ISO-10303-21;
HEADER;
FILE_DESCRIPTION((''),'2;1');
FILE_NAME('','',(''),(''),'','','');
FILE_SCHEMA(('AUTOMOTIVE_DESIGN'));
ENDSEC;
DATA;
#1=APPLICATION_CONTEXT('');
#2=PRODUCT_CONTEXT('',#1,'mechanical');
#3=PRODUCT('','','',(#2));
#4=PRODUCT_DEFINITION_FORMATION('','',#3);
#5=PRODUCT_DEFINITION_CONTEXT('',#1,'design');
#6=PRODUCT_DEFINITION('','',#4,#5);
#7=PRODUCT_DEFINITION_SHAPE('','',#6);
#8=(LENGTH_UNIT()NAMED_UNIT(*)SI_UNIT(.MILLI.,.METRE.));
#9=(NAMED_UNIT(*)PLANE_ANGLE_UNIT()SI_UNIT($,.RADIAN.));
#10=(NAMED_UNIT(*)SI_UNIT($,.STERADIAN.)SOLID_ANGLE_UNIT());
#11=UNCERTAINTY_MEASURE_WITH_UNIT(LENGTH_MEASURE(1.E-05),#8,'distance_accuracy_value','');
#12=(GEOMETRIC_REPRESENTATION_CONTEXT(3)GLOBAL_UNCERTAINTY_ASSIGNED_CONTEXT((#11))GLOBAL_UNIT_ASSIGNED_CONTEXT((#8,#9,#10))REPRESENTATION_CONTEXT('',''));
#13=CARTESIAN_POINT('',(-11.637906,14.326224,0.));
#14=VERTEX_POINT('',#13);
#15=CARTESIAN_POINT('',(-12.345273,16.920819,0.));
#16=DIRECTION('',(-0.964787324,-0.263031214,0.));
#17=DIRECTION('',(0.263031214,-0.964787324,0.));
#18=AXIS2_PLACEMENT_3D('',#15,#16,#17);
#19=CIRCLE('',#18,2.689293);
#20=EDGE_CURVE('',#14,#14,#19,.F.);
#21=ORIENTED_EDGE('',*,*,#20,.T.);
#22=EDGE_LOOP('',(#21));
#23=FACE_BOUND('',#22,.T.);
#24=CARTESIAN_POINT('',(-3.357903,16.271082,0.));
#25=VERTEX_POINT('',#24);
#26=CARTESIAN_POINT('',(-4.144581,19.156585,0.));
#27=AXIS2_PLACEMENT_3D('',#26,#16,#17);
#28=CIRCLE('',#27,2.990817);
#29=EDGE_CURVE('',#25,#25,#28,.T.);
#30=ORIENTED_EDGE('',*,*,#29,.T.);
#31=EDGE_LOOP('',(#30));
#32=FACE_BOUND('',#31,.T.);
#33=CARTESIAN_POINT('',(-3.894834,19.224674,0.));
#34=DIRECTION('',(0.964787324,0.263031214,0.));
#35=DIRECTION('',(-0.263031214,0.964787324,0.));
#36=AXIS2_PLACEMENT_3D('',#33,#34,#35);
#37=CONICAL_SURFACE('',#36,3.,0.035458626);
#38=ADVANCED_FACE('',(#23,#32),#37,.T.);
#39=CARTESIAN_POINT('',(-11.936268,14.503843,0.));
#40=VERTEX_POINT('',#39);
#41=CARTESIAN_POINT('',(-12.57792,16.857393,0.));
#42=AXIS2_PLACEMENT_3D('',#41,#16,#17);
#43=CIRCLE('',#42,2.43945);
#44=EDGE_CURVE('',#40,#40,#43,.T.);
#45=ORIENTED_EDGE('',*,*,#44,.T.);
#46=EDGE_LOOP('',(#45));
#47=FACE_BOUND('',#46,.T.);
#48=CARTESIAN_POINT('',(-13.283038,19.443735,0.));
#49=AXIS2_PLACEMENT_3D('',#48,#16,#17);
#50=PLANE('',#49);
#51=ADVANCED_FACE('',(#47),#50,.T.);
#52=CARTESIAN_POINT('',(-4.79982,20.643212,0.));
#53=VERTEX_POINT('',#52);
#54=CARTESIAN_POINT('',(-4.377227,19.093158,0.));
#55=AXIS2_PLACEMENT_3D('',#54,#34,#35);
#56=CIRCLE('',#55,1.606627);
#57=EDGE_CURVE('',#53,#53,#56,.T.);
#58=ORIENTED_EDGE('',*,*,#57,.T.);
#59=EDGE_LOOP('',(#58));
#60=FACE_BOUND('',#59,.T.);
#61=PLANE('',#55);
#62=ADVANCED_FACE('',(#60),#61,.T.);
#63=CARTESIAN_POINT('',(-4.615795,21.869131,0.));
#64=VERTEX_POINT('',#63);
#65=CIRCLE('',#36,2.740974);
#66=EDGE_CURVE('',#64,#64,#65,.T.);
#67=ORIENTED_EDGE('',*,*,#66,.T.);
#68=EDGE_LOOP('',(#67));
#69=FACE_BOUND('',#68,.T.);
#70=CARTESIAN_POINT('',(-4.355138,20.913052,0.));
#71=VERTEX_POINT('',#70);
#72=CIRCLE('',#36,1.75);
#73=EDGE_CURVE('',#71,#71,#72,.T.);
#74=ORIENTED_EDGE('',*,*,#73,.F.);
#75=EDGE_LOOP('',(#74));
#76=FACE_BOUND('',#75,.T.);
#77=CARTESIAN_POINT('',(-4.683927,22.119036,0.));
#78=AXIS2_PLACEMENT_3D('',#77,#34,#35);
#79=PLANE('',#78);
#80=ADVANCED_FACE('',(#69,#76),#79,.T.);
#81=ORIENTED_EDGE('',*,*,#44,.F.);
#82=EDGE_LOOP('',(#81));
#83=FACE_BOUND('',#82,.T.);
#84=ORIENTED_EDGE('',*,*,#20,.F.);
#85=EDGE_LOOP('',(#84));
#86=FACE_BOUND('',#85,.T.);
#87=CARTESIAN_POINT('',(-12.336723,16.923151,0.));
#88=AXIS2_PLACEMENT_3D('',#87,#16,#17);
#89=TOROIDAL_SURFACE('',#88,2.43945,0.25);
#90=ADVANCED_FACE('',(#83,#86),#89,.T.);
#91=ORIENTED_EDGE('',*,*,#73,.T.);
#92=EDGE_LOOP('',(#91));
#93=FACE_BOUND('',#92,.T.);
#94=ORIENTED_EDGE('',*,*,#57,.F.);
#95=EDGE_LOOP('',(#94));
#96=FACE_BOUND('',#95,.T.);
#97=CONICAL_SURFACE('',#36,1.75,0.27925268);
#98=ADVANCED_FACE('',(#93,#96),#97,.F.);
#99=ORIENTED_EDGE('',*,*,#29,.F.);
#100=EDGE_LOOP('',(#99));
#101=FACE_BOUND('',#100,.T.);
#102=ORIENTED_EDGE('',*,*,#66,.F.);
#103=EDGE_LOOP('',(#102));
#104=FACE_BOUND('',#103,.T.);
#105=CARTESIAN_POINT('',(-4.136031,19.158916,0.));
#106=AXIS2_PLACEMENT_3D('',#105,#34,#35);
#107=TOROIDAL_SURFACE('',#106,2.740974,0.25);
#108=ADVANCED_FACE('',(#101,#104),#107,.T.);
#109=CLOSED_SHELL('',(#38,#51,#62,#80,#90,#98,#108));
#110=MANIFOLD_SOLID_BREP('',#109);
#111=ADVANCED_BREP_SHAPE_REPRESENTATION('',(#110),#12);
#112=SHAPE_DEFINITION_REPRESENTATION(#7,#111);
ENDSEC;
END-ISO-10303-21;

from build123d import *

# Parameters (mm, degrees)
ESQUISSE3_R             = 1.75
ENL_V_MAT_EXTRU_1_DEPTH = 0.5
ENL_V_MAT_EXTRU_1_DRAFT = -16
CONG_1_R                = 0.25


with BuildPart() as part:
    # Esquisse1 → Base-Révolution (revolve)
    with BuildSketch(Plane.XY, mode=Mode.PRIVATE) as base_r_volution_sk:
        Polygon((-3.894833669, 19.224673744), (-12.577919584, 16.857392814), (-13.2830375, 19.443735386), (-4.683927313, 22.119035716), align=None)
    revolve(base_r_volution_sk.sketch.rotate(Axis((3.55560583, 21.25589669, 0), (-0.9647873238288128, -0.2630312144579755, 0)), 180), axis=Axis((3.55560583, 21.25589669, 0), (-0.9647873238288128, -0.2630312144579755, 0)))


with BuildPart() as enl_v_mat_extru_1_tool:
    # Esquisse3 → Enlèv. mat.-Extru.1 (with draft: the straight prism first)
    with BuildSketch(Plane(origin=(1.253261753, 0.341678371, 0), x_dir=(0, 0, -1), z_dir=(0.9647873238288128, 0.26303121445797556, 0))):
        with Locations((0, 19.572184363)):
            Circle(ESQUISSE3_R)
    extrude(amount=-ENL_V_MAT_EXTRU_1_DEPTH)
    # Enlèv. mat.-Extru.1: the draft: its side faces are tilted about the plane it starts from
    enl_v_mat_extru_1_sides = [enl_v_mat_extru_1_tool.faces().sort_by_distance(p)[0] for p in [
        (-4.1360305, 19.158915941, 1.75),
    ]]
    draft(enl_v_mat_extru_1_sides, Plane(origin=(1.253261753, 0.341678371, 0), x_dir=(0, 0, -1), z_dir=(0.9647873238288128, 0.26303121445797556, 0)), ENL_V_MAT_EXTRU_1_DRAFT)


with BuildPart() as part_1:
    add(part.part)

    # Enlèv. mat.-Extru.1: cut by enl_v_mat_extru_1_tool
    add(enl_v_mat_extru_1_tool.part, mode=Mode.SUBTRACT)

    # Congé1
    cong_1_edges = [part_1.edges().sort_by_distance(p)[0] for p in [
        (-13.2830375, 19.443735386, 0),
        (-4.683927313, 22.119035716, 0),
    ]]
    fillet(cong_1_edges, radius=CONG_1_R)


solid = part_1.part
